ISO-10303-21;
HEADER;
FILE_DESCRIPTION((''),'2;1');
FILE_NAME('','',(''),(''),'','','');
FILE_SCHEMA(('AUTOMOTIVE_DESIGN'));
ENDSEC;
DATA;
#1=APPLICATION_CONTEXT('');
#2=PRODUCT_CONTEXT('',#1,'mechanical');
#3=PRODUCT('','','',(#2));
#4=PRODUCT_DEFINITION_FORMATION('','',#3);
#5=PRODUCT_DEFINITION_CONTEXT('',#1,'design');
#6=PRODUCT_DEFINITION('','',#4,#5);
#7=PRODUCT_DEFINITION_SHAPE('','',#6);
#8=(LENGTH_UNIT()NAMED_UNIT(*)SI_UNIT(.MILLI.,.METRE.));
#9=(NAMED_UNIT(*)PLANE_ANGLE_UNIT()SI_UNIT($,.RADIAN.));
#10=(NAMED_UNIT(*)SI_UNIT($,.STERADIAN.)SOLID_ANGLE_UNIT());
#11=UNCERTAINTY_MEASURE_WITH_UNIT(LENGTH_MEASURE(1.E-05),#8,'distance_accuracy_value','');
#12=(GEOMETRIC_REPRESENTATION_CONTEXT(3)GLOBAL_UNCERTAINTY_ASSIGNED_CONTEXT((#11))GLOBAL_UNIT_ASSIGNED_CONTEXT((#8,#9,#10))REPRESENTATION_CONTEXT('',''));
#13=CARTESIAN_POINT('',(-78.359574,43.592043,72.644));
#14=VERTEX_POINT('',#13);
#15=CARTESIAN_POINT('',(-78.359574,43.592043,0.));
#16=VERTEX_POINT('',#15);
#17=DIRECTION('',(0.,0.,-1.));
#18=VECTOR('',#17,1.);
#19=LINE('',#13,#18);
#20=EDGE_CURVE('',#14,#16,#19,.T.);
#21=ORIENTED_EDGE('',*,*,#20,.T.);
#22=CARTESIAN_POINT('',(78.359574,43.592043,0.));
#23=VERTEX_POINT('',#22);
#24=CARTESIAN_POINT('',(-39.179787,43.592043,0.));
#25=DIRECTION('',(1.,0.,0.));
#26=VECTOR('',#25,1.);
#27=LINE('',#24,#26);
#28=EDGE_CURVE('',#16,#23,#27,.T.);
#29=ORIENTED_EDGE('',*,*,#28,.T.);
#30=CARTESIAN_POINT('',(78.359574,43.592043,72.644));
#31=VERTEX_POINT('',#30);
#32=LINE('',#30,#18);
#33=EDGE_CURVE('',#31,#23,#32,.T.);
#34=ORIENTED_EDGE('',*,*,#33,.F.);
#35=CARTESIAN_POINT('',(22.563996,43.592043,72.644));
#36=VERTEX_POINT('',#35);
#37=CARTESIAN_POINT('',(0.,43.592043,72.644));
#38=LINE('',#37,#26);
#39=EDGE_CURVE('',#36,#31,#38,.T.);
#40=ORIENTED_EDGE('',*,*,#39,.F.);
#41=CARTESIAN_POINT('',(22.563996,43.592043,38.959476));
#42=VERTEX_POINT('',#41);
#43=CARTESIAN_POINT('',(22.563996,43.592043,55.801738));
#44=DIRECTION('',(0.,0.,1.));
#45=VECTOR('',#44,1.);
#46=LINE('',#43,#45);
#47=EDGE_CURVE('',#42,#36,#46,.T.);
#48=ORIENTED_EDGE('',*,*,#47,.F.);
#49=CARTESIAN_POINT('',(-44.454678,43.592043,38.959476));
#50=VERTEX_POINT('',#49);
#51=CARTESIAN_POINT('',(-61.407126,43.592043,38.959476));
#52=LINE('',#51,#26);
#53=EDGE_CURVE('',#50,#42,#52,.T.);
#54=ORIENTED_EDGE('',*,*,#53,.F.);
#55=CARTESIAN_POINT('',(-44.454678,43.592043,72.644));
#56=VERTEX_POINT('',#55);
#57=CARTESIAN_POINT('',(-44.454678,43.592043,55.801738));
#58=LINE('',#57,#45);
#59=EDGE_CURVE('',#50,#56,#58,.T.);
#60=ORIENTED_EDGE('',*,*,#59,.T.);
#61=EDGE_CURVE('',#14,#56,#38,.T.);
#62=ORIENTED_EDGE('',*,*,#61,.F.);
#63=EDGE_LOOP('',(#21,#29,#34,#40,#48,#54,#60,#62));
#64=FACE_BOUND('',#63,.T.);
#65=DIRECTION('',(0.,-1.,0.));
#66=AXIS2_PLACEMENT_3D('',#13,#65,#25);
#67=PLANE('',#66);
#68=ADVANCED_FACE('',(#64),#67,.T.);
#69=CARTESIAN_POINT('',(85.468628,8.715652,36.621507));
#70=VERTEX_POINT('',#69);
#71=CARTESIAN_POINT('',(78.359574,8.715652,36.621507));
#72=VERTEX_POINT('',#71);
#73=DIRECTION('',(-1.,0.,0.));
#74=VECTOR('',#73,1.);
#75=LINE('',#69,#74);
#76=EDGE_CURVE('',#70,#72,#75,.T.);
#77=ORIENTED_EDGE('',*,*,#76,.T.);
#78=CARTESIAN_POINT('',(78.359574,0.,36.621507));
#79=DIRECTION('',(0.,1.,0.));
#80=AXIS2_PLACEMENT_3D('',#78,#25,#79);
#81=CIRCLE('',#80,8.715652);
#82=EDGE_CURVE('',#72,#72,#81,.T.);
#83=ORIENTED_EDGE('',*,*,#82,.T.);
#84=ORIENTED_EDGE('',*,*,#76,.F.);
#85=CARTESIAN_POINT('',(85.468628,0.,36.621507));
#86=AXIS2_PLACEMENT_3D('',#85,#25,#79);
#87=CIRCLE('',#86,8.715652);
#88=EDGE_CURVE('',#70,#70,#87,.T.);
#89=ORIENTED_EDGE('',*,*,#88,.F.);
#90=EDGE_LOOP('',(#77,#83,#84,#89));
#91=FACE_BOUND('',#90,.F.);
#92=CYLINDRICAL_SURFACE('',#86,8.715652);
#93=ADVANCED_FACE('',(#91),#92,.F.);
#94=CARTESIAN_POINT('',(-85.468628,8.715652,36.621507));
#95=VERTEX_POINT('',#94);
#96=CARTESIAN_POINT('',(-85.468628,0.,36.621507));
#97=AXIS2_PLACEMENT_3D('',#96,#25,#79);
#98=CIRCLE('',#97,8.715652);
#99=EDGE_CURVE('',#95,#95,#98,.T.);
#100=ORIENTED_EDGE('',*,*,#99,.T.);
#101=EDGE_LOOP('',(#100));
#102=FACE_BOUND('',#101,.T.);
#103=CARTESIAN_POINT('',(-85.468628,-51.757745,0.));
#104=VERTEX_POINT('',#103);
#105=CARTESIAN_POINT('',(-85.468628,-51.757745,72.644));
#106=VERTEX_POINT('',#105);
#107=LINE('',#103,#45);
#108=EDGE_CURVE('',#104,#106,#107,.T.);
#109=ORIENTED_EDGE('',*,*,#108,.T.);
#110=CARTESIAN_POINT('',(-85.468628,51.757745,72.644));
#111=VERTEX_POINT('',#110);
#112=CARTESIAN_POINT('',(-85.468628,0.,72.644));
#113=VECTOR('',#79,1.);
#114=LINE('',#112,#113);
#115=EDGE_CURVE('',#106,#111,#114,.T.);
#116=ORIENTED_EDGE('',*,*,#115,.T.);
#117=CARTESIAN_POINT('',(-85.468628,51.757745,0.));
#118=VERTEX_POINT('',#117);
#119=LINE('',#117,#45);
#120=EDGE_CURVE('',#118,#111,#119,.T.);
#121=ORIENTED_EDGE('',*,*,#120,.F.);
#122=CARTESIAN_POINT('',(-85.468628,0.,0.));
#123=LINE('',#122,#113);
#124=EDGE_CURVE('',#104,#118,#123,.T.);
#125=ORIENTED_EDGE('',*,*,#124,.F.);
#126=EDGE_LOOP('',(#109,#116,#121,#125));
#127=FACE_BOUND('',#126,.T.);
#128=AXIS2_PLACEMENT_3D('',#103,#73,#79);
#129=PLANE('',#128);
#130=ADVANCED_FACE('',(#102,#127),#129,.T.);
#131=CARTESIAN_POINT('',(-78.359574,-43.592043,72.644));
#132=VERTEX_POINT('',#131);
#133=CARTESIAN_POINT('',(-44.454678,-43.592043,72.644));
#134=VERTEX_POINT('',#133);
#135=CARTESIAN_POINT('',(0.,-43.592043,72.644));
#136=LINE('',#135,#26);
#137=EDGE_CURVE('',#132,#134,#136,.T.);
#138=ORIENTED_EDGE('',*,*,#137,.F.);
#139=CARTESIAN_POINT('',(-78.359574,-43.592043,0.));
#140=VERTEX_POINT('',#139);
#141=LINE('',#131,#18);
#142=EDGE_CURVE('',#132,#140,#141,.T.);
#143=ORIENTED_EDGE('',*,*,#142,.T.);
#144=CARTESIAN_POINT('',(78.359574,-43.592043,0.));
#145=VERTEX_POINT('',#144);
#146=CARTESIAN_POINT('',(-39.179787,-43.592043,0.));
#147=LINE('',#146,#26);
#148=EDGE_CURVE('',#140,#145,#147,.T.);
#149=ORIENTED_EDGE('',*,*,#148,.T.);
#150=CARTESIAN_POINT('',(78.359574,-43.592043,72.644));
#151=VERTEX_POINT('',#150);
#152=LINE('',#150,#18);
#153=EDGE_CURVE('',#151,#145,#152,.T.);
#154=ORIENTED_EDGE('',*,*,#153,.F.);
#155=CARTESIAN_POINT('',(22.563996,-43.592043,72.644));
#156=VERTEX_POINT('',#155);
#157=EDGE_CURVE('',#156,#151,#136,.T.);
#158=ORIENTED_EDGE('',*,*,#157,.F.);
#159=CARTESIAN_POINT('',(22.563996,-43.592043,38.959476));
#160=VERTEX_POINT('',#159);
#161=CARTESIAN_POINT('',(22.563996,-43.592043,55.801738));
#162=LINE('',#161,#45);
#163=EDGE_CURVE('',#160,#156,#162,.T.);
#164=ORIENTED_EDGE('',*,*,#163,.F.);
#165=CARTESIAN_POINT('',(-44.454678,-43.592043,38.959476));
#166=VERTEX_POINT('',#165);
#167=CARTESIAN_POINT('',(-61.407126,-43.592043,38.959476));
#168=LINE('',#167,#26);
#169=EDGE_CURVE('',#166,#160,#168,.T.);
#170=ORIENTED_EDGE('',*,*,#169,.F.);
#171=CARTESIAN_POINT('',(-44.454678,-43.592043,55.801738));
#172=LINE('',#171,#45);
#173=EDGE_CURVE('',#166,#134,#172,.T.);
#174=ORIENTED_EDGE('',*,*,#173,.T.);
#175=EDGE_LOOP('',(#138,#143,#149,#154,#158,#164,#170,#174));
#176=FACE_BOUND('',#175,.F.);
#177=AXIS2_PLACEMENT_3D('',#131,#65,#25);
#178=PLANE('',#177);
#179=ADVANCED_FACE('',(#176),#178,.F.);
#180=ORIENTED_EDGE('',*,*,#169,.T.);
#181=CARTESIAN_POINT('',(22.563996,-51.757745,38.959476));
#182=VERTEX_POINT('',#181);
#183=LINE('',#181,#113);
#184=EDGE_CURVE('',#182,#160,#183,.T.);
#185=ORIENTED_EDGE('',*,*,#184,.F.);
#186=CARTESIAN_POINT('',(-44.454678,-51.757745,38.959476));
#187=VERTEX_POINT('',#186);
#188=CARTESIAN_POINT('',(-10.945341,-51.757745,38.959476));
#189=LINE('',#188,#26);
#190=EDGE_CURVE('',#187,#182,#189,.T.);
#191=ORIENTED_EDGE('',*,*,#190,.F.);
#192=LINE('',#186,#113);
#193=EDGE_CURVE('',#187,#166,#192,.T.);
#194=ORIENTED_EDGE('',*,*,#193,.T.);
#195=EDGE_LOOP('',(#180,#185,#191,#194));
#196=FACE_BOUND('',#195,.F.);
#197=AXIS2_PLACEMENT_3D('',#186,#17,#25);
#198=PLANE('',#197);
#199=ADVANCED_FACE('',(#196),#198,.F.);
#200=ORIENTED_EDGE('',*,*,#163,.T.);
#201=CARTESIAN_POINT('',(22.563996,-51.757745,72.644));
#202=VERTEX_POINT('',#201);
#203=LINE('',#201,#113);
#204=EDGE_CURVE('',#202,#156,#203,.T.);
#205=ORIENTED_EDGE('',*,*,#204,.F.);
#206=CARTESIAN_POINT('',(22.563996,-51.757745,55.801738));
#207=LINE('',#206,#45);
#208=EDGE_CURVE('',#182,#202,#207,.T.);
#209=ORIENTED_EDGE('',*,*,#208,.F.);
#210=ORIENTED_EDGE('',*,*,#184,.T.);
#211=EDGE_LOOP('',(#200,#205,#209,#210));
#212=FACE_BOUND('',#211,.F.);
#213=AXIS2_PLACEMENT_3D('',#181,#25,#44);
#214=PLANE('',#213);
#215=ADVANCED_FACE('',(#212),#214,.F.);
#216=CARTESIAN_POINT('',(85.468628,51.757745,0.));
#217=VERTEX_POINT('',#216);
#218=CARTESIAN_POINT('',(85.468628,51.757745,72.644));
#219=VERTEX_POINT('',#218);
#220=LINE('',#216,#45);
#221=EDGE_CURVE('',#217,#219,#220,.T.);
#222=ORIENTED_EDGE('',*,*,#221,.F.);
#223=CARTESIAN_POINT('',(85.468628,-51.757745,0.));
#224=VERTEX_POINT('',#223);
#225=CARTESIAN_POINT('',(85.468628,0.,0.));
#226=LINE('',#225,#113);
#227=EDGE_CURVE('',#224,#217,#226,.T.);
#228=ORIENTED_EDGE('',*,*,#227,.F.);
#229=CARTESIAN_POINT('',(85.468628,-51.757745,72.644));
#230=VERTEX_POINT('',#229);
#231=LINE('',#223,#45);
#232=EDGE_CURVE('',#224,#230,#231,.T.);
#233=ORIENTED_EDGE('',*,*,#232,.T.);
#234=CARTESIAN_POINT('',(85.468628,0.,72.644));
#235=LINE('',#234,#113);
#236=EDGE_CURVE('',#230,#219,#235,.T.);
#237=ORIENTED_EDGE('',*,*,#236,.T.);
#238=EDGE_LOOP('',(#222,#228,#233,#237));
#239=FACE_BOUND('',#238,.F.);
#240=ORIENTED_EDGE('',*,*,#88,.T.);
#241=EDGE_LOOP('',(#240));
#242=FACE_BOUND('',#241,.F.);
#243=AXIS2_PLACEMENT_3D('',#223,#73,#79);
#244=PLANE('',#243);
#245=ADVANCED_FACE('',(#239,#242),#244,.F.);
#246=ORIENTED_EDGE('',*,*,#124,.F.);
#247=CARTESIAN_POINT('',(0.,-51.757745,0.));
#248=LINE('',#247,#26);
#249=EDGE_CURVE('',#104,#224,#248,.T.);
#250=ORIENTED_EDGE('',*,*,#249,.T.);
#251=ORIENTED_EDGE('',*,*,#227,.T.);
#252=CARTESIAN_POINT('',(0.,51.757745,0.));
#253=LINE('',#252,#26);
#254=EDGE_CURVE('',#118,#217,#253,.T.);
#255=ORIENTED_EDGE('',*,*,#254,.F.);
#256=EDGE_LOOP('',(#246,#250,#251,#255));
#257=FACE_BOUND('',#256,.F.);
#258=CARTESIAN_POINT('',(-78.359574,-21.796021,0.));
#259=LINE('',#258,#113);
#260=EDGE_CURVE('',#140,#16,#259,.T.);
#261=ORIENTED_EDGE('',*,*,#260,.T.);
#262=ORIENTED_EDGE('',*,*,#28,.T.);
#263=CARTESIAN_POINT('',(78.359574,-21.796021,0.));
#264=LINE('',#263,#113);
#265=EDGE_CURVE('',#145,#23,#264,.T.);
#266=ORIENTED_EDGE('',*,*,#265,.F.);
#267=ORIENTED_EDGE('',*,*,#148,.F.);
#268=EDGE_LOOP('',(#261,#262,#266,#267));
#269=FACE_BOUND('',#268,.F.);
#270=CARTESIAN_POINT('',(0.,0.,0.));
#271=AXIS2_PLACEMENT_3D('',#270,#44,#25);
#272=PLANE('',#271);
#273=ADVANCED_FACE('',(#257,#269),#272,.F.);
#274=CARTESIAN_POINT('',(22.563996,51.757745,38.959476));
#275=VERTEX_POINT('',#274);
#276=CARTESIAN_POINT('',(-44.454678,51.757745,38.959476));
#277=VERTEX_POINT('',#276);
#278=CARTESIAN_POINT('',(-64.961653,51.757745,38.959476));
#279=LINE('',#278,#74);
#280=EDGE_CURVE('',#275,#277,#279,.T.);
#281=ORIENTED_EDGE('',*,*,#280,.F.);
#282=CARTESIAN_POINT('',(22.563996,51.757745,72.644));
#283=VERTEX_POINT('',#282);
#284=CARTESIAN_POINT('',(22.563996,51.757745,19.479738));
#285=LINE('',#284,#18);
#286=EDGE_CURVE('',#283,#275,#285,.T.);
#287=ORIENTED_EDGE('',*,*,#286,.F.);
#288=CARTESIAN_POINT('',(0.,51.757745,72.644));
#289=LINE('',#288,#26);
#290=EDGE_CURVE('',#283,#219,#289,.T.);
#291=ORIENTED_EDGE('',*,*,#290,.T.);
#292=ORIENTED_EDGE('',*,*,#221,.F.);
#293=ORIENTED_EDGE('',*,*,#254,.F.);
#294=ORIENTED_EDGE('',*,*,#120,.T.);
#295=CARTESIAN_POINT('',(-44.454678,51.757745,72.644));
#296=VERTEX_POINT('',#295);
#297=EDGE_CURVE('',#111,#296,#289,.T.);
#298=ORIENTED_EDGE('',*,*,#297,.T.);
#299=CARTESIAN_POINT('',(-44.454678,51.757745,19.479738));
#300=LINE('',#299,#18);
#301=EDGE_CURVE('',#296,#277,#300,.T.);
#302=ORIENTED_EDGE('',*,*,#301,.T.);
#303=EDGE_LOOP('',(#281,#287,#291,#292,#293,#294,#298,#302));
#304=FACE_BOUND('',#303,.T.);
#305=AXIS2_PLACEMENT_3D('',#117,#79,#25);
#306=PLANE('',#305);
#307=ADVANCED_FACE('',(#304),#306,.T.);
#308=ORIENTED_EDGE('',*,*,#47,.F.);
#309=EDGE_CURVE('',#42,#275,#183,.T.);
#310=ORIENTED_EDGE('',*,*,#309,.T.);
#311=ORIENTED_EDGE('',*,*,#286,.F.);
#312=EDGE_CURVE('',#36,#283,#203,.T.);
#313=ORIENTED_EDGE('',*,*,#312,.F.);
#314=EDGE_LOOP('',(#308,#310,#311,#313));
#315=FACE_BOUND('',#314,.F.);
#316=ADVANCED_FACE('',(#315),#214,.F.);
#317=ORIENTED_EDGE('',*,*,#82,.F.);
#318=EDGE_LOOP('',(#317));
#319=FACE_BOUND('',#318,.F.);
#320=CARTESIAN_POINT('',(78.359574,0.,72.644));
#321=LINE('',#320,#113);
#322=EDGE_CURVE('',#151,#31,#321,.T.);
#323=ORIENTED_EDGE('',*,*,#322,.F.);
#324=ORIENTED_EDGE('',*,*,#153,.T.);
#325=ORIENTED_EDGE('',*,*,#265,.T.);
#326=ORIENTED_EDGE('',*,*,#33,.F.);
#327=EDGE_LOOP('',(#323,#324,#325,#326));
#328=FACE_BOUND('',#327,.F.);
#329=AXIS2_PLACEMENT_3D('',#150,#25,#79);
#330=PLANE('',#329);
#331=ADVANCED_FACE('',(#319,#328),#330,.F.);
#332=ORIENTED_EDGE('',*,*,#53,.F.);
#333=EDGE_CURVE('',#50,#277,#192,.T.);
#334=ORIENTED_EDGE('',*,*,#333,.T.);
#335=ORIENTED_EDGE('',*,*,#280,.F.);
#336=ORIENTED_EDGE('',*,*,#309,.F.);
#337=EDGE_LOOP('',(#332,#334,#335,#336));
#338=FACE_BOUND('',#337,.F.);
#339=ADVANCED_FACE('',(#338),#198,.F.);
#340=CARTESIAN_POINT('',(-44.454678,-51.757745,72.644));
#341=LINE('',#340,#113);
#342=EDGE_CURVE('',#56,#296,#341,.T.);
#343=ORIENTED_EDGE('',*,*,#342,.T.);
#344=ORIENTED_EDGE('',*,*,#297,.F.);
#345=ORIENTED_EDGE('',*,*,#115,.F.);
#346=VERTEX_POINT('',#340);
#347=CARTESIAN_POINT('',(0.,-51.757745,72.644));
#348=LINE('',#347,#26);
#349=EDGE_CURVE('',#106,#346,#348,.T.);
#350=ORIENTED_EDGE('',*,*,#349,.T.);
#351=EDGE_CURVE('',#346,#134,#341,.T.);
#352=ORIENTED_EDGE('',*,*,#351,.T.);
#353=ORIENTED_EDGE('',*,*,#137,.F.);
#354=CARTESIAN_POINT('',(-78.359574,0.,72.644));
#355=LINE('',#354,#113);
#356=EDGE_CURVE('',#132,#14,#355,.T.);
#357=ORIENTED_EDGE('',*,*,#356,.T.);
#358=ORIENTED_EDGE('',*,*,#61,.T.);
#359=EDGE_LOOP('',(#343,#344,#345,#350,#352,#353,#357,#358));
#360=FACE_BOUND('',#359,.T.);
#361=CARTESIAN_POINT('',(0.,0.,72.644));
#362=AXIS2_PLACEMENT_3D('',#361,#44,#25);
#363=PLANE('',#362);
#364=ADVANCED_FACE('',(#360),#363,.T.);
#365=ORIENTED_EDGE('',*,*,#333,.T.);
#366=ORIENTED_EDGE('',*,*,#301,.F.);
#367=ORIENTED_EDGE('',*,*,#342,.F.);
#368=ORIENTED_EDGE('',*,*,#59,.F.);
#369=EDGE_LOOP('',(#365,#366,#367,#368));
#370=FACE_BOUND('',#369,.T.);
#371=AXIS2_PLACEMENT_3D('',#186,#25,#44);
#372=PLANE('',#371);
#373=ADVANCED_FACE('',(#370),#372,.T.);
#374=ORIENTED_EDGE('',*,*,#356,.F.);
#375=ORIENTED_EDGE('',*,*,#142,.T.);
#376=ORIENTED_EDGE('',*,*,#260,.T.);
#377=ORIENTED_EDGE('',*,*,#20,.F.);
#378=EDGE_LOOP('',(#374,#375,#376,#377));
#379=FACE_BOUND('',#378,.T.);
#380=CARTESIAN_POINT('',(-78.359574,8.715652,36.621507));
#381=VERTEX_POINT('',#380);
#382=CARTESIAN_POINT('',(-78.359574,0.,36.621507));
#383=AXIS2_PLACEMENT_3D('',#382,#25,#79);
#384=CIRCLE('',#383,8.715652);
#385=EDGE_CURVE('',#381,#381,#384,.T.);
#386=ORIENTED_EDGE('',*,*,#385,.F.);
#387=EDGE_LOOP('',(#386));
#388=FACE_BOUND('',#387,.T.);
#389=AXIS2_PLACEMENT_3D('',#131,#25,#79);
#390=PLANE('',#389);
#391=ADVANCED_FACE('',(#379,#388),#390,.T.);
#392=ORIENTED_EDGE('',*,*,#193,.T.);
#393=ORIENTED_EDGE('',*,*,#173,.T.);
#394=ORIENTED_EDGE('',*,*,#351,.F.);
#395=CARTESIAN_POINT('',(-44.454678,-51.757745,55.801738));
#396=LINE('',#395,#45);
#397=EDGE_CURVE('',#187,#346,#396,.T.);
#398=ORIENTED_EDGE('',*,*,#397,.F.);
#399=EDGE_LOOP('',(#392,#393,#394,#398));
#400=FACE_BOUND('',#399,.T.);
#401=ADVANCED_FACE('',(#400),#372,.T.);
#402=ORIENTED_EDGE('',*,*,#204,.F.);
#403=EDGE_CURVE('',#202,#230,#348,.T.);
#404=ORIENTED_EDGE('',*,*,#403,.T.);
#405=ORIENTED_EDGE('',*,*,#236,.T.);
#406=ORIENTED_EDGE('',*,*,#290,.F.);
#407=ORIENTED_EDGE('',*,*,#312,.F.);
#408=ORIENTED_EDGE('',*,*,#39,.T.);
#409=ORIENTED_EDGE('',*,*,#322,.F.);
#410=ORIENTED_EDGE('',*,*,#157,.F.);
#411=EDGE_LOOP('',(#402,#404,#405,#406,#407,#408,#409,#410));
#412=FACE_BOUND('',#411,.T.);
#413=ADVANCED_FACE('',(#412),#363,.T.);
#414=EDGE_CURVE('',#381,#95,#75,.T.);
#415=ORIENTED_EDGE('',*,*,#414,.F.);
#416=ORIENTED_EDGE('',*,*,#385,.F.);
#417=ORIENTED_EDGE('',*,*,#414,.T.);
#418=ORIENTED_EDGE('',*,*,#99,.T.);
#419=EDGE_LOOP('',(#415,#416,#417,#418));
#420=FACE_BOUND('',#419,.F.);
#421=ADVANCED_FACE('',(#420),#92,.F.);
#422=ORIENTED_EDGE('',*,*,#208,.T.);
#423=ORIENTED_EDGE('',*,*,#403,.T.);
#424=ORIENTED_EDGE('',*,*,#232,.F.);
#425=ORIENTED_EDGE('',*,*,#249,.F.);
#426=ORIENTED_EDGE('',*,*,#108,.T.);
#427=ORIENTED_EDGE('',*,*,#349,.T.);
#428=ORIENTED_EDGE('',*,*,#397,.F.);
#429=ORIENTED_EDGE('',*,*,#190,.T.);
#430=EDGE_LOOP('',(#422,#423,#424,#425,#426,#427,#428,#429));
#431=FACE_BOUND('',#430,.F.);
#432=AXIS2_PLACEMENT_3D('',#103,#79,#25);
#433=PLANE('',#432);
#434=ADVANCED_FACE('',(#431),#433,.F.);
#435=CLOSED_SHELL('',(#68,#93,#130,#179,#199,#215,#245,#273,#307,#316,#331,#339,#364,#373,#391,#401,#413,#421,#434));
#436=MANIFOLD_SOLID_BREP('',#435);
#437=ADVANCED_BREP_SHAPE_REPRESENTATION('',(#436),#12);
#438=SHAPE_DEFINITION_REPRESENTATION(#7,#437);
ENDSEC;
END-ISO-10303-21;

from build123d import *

# Parameters (mm, degrees)
F0_W     = 170.937256
F0_H     = 103.51549
F1_DEPTH = 72.644
F2_W     = 156.719148
F2_H     = 87.184086
F3_DEPTH = 171.45
F4_W     = 67.018675
F4_H     = 33.684524
F6_DEPTH = 172.212
F7_R     = 8.715652
F8_DEPTH = 233.934


with BuildPart() as f1:
    # F0 (on Top) → F1 (new body)
    with BuildSketch(Plane.XY):
        Rectangle(F0_W, F0_H)
    extrude(amount=F1_DEPTH)

    # F2 (on face) → F3 (cut)
    with BuildSketch(Plane.XY.offset(72.644)):
        Rectangle(F2_W, F2_H)
    extrude(amount=-F3_DEPTH, mode=Mode.SUBTRACT)

    # F4 (on face) → F6 (cut)
    with BuildSketch(Plane.XZ.offset(51.757745)):
        with Locations((-10.945341, 55.801738)):
            Rectangle(F4_W, F4_H)
    extrude(amount=-F6_DEPTH, mode=Mode.SUBTRACT)

    # F7 (on face) → F8 (cut)
    with BuildSketch(Plane.YZ.offset(85.468628)):
        with Locations((0, 36.621507)):
            Circle(F7_R)
    extrude(amount=-F8_DEPTH, mode=Mode.SUBTRACT)


solid = f1.part
